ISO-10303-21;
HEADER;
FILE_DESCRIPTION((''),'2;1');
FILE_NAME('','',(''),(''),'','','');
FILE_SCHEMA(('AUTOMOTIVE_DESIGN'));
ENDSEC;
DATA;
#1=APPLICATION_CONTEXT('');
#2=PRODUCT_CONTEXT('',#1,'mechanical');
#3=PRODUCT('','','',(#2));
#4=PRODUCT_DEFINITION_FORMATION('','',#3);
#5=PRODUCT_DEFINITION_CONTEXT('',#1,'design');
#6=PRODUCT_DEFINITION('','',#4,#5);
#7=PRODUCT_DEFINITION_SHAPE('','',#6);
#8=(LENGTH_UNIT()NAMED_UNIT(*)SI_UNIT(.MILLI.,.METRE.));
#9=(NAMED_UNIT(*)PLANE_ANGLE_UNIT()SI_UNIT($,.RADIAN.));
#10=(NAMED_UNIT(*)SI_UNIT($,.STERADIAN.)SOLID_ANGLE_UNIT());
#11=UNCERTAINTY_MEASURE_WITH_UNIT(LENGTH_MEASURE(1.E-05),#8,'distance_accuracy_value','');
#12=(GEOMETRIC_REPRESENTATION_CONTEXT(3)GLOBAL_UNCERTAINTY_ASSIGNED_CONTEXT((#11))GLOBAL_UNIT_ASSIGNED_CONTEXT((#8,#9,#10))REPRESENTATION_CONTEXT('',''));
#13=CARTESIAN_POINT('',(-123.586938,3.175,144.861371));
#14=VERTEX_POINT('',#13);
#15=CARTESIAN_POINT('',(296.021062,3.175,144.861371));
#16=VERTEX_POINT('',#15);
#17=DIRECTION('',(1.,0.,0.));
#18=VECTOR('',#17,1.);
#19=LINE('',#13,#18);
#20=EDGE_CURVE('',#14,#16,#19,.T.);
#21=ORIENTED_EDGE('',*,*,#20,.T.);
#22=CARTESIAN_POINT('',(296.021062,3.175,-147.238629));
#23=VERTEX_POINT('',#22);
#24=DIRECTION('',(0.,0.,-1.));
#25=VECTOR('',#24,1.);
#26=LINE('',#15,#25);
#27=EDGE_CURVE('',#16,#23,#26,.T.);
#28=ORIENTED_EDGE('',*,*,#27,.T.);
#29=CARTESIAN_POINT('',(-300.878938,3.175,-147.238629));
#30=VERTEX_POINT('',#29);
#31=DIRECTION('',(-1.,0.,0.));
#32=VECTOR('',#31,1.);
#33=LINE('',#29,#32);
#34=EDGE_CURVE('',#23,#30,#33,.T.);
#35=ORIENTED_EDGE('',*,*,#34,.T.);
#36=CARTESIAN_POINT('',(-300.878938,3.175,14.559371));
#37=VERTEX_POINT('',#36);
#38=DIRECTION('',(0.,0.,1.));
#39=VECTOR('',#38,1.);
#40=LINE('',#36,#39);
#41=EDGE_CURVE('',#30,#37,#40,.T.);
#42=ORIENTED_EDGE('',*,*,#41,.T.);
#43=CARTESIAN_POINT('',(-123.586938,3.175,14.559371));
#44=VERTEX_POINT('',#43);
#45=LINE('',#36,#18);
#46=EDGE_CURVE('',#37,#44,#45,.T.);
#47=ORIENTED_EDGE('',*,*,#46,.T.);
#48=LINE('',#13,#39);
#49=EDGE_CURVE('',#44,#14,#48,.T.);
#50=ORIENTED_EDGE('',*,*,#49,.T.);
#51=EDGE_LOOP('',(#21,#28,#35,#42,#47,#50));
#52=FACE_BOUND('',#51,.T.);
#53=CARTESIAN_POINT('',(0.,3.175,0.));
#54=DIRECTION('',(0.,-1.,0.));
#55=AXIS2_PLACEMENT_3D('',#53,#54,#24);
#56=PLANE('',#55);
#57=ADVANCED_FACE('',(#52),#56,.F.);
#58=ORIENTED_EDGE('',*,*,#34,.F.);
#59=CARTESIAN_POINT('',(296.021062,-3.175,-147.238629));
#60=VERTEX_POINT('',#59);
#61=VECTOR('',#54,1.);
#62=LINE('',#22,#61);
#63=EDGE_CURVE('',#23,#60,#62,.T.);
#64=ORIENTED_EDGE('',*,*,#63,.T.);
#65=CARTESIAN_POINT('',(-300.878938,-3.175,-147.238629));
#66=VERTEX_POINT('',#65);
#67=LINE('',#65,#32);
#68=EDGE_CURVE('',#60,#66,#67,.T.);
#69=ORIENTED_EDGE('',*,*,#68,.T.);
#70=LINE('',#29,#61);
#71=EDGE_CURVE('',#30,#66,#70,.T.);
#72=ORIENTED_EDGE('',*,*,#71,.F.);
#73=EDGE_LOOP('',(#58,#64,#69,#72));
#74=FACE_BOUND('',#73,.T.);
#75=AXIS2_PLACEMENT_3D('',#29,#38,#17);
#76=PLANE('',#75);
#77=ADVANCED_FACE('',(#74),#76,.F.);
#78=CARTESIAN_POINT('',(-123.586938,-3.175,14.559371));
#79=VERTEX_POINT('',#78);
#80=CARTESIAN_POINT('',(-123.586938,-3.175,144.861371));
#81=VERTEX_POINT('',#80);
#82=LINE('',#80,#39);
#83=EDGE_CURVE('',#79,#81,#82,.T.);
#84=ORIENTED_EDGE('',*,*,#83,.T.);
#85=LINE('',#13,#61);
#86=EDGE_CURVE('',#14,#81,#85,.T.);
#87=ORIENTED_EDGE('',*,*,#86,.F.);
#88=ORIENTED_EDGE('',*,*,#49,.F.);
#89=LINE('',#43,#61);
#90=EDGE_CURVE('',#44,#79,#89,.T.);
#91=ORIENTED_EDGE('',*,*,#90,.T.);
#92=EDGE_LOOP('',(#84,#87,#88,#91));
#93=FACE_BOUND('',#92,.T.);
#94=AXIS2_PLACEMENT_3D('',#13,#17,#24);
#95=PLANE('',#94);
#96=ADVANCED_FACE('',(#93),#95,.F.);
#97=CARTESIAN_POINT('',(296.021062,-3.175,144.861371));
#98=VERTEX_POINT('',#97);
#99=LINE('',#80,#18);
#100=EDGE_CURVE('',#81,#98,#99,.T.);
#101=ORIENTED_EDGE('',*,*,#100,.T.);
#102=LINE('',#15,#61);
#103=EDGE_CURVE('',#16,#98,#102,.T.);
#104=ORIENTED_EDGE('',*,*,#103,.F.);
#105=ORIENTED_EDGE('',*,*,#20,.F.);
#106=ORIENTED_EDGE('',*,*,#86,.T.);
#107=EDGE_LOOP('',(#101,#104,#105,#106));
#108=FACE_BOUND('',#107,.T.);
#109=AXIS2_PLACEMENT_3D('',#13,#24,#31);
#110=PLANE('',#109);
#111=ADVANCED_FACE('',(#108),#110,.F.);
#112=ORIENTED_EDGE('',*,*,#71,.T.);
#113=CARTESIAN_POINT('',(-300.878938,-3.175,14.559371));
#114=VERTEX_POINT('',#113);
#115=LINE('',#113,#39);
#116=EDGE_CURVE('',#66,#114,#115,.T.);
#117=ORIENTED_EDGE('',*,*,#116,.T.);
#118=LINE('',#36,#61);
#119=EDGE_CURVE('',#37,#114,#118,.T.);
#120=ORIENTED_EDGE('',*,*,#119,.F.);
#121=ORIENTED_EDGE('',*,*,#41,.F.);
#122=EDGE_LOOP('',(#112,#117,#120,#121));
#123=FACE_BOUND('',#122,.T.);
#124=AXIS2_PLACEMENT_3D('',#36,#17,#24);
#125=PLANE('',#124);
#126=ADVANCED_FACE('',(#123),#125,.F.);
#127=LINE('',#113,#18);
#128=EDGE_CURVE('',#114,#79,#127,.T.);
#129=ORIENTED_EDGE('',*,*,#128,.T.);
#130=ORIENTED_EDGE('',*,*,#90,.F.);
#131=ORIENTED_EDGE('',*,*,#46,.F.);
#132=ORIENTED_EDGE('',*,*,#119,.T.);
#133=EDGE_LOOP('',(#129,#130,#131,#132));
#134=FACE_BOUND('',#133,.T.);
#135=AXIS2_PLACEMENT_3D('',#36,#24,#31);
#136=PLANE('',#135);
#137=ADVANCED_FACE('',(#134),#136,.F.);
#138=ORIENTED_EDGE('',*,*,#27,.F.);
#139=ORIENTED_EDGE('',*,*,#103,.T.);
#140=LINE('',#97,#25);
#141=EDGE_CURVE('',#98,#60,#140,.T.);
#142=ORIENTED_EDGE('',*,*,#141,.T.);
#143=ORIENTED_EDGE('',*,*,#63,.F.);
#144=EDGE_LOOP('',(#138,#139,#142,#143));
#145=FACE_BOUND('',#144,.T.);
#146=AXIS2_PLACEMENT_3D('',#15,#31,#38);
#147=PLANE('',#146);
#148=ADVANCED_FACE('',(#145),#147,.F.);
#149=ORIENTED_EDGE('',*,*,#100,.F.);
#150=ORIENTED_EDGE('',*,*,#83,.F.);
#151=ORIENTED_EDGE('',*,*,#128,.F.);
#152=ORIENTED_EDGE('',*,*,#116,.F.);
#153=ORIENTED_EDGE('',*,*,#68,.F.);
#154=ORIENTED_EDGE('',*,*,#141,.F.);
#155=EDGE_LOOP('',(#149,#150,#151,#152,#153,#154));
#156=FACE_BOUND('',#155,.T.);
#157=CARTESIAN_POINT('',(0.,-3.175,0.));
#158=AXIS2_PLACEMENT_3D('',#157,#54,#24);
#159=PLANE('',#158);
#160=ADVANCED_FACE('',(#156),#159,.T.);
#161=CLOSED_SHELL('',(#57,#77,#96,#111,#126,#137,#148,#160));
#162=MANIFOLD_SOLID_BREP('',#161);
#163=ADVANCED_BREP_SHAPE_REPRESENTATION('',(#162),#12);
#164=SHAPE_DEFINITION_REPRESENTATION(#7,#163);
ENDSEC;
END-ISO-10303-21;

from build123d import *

# Parameters (mm, degrees)
BOSS_EXTRUDE1_DEPTH = 3.175


with BuildPart() as part:
    # Sketch1 → Boss-Extrude1 (new, symmetric)
    with BuildSketch(Plane(origin=(0, 0, 0), x_dir=(1, 0, 0), z_dir=(0, 1, 0))):
        Polygon((-123.586938376, -144.861370582), (296.021061624, -144.861370582), (296.021061624, 147.238629418), (-300.878938376, 147.238629418), (-300.878938376, -14.559370582), (-123.586938376, -14.559370582), align=None)
    extrude(amount=BOSS_EXTRUDE1_DEPTH, both=True)


solid = part.part
